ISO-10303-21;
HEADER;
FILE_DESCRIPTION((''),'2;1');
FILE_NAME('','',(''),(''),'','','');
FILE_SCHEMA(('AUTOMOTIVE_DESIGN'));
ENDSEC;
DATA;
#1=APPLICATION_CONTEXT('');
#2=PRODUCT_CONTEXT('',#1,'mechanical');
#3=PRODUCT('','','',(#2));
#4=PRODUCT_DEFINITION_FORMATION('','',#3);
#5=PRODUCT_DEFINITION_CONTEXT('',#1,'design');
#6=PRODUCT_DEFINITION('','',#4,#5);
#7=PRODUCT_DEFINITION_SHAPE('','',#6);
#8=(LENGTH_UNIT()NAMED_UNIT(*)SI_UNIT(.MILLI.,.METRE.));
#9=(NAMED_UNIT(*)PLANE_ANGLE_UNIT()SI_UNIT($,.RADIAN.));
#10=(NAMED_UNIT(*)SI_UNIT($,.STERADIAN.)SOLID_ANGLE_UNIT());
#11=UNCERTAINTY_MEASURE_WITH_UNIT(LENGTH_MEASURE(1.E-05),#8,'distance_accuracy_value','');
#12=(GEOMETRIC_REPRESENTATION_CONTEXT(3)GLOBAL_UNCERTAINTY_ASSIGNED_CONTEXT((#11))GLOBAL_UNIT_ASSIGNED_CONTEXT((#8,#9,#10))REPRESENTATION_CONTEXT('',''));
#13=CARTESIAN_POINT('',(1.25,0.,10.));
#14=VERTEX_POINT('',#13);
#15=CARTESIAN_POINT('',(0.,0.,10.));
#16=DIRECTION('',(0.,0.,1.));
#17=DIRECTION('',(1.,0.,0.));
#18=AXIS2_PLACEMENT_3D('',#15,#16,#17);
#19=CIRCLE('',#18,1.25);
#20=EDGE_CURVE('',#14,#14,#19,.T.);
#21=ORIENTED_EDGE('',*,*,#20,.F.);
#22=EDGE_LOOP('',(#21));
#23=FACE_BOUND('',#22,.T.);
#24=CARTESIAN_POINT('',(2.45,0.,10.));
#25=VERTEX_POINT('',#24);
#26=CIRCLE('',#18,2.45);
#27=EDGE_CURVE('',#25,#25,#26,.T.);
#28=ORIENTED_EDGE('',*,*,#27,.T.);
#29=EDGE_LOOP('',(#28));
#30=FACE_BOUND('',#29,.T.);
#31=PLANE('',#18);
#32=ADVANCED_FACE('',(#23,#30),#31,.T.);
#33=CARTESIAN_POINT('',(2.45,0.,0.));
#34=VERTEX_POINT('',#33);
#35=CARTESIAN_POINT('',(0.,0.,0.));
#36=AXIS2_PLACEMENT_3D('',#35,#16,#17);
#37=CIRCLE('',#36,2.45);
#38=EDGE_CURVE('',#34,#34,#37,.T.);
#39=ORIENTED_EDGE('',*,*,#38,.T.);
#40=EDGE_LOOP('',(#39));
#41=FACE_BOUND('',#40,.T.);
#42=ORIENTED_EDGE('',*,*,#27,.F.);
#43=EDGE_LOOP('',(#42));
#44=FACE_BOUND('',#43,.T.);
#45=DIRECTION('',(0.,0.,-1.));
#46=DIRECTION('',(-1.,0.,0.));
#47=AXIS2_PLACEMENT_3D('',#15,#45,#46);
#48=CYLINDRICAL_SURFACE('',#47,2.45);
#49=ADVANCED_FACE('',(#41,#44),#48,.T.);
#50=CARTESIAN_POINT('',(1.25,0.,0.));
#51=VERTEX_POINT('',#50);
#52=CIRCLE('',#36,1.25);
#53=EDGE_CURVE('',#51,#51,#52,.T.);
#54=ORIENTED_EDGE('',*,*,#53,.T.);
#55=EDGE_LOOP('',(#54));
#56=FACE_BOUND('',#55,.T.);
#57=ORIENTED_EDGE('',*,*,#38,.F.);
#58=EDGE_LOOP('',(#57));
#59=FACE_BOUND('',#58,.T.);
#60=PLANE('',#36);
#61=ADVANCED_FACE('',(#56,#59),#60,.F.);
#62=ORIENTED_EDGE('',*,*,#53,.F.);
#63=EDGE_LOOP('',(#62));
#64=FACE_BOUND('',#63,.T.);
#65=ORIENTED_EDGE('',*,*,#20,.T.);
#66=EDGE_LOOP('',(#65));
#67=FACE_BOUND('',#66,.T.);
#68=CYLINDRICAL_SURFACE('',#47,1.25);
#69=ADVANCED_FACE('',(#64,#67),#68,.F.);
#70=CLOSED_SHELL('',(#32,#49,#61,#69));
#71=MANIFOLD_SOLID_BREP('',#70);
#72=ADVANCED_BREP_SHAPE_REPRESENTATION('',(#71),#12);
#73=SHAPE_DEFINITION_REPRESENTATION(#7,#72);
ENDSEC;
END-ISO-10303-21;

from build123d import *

# Parameters (mm, degrees)
SKETCH_1_R      = 2.45
SKETCH_1_R_2    = 1.25
EXTRUDE_1_DEPTH = 10


with BuildPart() as part:
    # ｽｹｯﾁ1 → ﾎﾞｽ - 押し出し1 (new body)
    with BuildSketch(Plane(origin=(0, 0, 0), x_dir=(0, 1, 0), z_dir=(0, 0, 1))):
        Circle(SKETCH_1_R)
        Circle(SKETCH_1_R_2, mode=Mode.SUBTRACT)
    extrude(amount=EXTRUDE_1_DEPTH)


solid = part.part
